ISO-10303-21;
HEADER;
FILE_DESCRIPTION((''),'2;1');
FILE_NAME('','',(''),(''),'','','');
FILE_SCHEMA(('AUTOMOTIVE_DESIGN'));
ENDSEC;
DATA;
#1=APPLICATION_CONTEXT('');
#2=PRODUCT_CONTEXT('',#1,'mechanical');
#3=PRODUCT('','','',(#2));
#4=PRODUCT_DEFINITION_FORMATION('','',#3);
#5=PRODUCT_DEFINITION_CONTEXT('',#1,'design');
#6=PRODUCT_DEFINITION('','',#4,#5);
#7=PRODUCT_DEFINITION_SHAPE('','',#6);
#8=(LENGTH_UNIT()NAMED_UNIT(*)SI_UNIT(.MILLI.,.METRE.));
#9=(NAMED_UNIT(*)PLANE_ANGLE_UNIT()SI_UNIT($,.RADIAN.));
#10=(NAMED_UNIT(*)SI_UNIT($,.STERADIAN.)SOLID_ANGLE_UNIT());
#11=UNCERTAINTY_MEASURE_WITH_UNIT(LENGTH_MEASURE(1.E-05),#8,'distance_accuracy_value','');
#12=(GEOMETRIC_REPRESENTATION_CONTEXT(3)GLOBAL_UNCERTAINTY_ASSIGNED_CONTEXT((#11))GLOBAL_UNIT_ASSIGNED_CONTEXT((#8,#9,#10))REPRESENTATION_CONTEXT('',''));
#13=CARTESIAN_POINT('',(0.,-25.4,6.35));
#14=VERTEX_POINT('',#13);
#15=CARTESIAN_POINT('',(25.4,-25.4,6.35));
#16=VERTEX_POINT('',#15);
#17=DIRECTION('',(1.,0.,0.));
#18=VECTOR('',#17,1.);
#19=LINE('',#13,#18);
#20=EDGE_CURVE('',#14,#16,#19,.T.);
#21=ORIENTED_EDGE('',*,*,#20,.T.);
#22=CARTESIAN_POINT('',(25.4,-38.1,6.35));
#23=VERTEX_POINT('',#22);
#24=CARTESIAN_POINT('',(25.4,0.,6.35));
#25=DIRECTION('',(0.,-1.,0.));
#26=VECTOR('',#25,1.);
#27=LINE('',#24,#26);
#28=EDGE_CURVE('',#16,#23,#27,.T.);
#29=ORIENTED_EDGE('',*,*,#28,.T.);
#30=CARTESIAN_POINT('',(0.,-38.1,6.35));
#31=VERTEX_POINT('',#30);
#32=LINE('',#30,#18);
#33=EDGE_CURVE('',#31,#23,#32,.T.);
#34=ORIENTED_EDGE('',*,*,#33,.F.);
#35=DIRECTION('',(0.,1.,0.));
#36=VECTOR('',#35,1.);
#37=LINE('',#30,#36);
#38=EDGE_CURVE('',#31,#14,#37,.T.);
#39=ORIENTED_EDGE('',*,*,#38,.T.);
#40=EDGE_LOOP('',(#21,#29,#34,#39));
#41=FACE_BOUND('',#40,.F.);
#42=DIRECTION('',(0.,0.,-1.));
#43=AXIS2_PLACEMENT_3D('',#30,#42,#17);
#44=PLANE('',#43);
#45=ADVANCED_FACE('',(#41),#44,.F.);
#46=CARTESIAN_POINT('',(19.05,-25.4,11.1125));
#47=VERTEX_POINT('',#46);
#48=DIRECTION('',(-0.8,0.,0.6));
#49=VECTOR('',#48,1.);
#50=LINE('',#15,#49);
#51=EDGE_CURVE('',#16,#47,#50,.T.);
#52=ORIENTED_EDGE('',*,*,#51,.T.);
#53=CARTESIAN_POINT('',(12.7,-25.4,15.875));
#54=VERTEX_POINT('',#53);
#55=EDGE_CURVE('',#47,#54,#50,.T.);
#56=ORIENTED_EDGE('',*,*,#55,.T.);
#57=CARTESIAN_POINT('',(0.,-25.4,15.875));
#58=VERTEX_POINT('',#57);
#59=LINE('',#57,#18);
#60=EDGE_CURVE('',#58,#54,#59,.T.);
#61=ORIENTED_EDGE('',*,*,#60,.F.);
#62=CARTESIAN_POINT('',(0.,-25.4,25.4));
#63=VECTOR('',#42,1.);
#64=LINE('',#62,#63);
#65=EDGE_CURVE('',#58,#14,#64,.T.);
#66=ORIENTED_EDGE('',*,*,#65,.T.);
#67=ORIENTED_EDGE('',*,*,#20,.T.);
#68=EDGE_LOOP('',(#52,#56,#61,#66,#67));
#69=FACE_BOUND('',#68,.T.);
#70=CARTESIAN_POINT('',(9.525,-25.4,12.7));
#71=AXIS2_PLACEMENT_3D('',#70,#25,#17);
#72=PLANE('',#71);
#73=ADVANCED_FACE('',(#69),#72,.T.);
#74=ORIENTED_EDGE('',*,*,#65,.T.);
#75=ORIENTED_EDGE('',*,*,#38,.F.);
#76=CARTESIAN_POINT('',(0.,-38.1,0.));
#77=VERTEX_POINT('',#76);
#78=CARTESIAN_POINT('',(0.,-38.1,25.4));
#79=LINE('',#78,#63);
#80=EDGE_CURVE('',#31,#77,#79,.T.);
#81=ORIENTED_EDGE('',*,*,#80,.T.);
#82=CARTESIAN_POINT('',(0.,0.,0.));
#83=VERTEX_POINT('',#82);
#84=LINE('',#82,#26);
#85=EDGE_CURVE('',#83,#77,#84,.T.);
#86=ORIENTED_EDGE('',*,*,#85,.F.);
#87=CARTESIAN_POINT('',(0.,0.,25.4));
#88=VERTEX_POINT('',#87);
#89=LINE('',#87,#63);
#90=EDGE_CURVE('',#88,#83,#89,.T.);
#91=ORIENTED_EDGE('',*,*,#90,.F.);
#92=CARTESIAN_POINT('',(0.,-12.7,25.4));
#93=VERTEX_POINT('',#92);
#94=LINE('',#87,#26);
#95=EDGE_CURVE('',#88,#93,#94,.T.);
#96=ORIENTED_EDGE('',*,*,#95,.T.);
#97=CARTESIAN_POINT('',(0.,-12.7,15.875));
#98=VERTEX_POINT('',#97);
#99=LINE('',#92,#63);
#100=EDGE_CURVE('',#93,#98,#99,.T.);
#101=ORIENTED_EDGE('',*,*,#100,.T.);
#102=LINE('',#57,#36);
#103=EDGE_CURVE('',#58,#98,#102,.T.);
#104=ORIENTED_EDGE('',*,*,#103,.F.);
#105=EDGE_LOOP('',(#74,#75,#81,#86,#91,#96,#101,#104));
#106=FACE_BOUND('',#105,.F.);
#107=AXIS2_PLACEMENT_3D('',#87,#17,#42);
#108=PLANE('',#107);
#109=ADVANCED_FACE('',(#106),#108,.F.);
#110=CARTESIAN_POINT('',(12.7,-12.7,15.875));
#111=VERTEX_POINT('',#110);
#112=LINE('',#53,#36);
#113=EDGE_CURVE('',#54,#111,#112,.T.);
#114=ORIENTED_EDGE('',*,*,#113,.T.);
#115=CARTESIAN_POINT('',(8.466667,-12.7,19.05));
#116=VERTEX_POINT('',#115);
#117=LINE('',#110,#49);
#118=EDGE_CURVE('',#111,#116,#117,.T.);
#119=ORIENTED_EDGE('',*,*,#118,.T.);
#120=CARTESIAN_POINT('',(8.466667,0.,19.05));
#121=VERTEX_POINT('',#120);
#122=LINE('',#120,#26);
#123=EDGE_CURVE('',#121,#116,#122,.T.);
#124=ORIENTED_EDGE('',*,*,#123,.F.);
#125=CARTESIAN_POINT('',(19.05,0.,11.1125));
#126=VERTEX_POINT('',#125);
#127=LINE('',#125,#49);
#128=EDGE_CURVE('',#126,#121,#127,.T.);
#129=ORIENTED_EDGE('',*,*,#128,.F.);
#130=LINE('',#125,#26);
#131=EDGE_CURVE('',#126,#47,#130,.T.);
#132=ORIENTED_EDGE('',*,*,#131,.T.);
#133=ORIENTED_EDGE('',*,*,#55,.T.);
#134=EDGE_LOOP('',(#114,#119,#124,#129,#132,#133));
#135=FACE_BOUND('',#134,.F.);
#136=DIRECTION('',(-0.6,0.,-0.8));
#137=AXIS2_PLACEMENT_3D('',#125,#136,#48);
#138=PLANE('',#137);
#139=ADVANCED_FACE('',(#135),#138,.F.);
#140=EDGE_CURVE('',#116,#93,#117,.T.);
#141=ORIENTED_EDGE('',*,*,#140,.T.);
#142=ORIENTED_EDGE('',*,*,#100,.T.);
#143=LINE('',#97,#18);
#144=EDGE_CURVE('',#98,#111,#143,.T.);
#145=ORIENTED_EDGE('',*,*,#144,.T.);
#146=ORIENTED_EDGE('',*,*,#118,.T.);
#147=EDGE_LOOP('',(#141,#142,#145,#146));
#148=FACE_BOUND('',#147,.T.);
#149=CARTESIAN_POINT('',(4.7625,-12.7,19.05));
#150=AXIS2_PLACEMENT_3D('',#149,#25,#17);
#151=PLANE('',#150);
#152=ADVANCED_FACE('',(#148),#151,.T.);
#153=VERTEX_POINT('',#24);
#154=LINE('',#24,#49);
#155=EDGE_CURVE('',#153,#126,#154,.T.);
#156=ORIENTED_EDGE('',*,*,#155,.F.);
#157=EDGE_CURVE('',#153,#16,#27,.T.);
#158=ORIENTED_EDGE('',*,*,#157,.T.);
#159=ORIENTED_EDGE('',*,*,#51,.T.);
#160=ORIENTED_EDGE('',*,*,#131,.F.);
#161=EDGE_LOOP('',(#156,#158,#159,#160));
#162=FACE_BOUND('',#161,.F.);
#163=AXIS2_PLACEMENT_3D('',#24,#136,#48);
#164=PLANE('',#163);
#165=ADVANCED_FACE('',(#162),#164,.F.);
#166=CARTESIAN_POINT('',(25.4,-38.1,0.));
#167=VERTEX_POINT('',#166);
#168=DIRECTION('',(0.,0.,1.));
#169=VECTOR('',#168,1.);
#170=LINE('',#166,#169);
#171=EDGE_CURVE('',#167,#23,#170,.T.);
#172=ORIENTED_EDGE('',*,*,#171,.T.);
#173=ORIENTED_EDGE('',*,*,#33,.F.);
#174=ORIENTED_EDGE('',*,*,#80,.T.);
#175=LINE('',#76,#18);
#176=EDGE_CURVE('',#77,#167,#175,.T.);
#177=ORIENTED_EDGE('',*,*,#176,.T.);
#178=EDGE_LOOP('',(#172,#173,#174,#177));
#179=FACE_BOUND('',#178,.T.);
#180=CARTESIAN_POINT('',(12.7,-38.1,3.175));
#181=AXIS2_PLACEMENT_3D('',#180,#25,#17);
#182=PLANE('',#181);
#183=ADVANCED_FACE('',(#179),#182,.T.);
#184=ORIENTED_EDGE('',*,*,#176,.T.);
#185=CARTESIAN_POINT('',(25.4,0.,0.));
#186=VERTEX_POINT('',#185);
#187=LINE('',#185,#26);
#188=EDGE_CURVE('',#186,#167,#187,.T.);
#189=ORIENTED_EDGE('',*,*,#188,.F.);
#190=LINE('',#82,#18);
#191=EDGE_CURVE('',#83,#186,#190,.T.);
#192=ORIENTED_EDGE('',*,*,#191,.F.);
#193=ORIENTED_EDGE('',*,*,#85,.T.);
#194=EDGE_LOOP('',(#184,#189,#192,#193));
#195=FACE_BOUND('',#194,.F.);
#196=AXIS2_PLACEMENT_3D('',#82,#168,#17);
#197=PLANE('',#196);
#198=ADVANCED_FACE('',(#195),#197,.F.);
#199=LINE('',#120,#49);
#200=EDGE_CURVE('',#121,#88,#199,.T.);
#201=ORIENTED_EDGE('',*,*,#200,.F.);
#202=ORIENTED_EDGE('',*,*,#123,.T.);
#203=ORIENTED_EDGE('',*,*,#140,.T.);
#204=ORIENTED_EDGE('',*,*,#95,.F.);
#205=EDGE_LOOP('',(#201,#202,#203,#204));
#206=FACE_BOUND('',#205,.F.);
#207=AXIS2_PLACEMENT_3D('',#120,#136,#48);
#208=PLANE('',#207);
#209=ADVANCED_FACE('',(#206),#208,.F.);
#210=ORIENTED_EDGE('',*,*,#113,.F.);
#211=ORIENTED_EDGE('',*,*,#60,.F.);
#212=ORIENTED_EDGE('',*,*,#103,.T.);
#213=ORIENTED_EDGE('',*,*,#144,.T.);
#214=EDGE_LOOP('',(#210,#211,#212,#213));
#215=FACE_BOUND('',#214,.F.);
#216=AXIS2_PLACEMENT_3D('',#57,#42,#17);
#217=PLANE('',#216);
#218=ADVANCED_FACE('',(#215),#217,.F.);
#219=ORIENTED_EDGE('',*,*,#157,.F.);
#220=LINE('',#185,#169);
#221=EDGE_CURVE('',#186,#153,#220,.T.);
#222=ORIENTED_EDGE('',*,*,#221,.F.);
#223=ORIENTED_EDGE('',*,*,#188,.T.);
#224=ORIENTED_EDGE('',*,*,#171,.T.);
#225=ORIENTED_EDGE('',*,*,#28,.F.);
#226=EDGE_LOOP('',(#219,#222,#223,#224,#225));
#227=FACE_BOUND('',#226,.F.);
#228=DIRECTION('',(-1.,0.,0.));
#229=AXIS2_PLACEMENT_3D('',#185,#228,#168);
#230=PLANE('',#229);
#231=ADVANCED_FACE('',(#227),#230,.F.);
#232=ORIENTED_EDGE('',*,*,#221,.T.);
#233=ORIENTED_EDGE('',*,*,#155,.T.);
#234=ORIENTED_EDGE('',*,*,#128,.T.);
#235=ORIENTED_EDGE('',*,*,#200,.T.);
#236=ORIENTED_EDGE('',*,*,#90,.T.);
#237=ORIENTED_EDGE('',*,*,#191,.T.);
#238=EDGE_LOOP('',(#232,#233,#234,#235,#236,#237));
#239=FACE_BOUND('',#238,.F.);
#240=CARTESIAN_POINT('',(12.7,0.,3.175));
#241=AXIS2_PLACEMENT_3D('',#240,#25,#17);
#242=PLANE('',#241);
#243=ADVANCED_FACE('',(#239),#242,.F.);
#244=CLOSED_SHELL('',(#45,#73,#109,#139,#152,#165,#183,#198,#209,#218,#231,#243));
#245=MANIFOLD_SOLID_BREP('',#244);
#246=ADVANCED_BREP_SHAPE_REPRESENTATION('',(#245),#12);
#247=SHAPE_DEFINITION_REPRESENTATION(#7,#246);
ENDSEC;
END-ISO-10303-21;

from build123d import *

# Parameters (mm, degrees)
F1_DEPTH = 38.1
F3_DEPTH = 12.7
F5_DEPTH = 12.7


with BuildPart() as f1:
    # F0 (on Front) → F1 (new body)
    with BuildSketch(Plane.XZ):
        Polygon((0, 6.35), (0, 0), (25.4, 0), (25.4, 6.35), (19.05, 6.35), align=None)
        Polygon((0, 19.05), (0, 6.35), (19.05, 6.35), (19.05, 11.1125), (8.4666666667, 19.05), align=None)
        Polygon((19.05, 6.35), (25.4, 6.35), (19.05, 11.1125), align=None)
        Polygon((0, 25.4), (0, 19.05), (8.4666666667, 19.05), align=None)
    extrude(amount=F1_DEPTH)

    # F2 (on face) → F3 (cut)
    with BuildSketch(Plane.XZ.offset(38.1)):
        Polygon((0, 6.35), (25.4, 6.35), (0, 25.4), align=None)
    extrude(amount=-F3_DEPTH, mode=Mode.SUBTRACT)

    # F4 (on face) → F5 (cut)
    with BuildSketch(Plane.XZ.offset(25.4)):
        Polygon((0, 15.875), (12.7, 15.875), (0, 25.4), align=None)
    extrude(amount=-F5_DEPTH, mode=Mode.SUBTRACT)


solid = f1.part
